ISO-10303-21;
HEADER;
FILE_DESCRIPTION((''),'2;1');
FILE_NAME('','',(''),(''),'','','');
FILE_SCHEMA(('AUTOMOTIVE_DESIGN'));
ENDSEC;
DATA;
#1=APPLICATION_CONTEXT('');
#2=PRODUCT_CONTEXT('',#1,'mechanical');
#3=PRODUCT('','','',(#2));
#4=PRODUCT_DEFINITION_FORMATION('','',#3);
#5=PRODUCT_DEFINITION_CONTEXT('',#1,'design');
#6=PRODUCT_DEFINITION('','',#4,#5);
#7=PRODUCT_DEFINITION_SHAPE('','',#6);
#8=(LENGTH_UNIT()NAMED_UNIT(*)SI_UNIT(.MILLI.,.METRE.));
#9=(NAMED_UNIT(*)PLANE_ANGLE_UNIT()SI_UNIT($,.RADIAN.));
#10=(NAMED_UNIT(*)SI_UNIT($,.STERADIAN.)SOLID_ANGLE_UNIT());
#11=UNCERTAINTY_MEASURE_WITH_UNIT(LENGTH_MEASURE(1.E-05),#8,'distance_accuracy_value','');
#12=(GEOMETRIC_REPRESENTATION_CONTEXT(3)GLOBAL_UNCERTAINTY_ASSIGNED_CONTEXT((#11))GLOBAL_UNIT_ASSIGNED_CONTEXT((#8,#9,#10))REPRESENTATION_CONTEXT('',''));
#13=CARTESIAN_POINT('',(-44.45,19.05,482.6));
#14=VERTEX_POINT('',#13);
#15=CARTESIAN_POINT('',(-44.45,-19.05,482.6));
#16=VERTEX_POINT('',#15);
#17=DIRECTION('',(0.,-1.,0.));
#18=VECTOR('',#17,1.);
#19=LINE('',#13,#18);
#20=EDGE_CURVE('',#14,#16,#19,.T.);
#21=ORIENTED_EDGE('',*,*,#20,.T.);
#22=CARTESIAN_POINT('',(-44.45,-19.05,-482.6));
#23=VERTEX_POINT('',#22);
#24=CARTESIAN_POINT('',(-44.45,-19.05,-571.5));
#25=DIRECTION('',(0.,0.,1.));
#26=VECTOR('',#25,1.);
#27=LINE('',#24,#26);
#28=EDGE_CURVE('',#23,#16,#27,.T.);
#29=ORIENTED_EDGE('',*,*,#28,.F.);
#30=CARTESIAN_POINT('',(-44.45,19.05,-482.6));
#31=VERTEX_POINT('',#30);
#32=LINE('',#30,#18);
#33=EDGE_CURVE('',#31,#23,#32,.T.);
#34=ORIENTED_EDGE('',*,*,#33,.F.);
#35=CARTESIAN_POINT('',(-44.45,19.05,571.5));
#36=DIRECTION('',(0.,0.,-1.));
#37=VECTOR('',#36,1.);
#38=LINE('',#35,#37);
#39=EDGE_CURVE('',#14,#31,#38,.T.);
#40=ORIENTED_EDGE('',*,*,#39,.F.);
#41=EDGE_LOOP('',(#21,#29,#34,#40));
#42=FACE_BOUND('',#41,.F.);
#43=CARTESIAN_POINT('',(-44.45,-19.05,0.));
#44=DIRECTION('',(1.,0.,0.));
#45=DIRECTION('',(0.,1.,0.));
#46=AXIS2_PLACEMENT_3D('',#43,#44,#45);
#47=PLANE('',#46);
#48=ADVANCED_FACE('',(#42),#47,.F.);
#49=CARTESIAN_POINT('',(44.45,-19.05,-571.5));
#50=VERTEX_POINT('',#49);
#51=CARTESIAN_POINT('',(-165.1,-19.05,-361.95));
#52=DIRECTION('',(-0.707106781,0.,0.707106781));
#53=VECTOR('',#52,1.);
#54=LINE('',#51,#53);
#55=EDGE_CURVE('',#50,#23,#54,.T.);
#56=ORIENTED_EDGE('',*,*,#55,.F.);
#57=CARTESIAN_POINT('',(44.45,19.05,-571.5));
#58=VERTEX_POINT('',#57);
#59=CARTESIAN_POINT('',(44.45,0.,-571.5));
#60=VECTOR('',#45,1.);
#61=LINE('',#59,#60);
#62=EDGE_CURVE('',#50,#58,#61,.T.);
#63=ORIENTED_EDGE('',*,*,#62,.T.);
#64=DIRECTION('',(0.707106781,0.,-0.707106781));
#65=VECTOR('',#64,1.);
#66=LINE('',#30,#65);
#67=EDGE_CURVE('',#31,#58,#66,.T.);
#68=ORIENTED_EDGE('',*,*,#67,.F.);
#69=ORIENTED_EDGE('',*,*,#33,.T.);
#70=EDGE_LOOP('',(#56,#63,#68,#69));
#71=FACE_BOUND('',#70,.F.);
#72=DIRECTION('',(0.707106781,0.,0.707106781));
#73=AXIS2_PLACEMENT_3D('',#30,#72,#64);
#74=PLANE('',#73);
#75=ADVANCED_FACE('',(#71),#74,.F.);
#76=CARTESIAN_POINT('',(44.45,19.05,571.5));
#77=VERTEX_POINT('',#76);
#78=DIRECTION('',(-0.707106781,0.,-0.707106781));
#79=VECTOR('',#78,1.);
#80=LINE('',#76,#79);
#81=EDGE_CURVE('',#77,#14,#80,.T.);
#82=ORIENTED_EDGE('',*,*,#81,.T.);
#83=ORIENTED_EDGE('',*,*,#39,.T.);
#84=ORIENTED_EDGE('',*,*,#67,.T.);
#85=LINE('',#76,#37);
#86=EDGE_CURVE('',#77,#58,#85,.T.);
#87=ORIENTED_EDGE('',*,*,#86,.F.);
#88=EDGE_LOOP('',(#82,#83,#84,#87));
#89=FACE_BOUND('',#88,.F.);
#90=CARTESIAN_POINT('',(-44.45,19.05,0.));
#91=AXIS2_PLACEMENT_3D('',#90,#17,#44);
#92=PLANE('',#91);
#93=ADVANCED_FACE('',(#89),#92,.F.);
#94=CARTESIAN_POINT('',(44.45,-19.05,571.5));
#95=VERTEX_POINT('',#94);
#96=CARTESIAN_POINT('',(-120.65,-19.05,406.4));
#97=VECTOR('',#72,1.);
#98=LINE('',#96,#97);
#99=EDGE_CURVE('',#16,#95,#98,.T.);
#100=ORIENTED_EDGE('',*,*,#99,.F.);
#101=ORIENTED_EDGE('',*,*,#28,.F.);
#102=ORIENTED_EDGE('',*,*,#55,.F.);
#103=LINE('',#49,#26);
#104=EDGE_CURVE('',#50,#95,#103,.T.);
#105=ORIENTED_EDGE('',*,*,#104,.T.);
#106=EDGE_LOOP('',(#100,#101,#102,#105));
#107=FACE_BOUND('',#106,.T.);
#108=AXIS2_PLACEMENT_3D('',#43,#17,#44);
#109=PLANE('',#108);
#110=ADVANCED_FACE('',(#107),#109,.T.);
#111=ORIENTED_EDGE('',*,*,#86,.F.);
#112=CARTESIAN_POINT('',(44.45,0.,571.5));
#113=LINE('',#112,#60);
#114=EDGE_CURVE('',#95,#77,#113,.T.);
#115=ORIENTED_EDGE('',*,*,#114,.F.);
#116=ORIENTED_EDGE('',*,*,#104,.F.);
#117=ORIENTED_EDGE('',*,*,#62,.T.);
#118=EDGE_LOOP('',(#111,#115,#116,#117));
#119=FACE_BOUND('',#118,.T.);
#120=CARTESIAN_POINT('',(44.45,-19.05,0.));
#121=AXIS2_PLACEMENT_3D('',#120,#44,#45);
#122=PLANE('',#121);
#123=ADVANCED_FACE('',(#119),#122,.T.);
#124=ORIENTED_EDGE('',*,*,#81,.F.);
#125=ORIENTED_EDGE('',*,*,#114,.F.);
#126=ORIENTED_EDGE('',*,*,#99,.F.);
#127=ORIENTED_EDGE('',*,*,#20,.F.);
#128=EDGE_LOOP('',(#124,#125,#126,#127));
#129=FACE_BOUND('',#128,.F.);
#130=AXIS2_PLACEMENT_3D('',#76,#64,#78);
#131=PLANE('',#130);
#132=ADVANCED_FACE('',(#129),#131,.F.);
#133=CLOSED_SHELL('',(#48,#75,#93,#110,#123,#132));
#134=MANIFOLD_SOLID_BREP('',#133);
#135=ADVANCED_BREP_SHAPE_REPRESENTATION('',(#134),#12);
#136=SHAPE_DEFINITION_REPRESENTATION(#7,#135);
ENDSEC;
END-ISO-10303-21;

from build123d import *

# Parameters (mm, degrees)
F0_W     = 88.9
F0_H     = 38.1
F1_DEPTH = 571.5
F3_DEPTH = 38.101


with BuildPart() as f1:
    # F0 (on Top) → F1 (new body, symmetric)
    with BuildSketch(Plane.XY):
        Rectangle(F0_W, F0_H)
    extrude(amount=F1_DEPTH, both=True)

    # F2 (on face) → F3 (cut, through all)
    with BuildSketch(Plane(origin=(0, 19.05, 0), x_dir=(-1, 0, 0), z_dir=(0, 1, 0))):
        Polygon((44.45, 571.5), (-44.45, 571.5), (44.45, 482.6), align=None)
        Polygon((44.45, -482.6), (-44.45, -571.5), (44.45, -571.5), align=None)
    extrude(amount=-F3_DEPTH, mode=Mode.SUBTRACT)


solid = f1.part
